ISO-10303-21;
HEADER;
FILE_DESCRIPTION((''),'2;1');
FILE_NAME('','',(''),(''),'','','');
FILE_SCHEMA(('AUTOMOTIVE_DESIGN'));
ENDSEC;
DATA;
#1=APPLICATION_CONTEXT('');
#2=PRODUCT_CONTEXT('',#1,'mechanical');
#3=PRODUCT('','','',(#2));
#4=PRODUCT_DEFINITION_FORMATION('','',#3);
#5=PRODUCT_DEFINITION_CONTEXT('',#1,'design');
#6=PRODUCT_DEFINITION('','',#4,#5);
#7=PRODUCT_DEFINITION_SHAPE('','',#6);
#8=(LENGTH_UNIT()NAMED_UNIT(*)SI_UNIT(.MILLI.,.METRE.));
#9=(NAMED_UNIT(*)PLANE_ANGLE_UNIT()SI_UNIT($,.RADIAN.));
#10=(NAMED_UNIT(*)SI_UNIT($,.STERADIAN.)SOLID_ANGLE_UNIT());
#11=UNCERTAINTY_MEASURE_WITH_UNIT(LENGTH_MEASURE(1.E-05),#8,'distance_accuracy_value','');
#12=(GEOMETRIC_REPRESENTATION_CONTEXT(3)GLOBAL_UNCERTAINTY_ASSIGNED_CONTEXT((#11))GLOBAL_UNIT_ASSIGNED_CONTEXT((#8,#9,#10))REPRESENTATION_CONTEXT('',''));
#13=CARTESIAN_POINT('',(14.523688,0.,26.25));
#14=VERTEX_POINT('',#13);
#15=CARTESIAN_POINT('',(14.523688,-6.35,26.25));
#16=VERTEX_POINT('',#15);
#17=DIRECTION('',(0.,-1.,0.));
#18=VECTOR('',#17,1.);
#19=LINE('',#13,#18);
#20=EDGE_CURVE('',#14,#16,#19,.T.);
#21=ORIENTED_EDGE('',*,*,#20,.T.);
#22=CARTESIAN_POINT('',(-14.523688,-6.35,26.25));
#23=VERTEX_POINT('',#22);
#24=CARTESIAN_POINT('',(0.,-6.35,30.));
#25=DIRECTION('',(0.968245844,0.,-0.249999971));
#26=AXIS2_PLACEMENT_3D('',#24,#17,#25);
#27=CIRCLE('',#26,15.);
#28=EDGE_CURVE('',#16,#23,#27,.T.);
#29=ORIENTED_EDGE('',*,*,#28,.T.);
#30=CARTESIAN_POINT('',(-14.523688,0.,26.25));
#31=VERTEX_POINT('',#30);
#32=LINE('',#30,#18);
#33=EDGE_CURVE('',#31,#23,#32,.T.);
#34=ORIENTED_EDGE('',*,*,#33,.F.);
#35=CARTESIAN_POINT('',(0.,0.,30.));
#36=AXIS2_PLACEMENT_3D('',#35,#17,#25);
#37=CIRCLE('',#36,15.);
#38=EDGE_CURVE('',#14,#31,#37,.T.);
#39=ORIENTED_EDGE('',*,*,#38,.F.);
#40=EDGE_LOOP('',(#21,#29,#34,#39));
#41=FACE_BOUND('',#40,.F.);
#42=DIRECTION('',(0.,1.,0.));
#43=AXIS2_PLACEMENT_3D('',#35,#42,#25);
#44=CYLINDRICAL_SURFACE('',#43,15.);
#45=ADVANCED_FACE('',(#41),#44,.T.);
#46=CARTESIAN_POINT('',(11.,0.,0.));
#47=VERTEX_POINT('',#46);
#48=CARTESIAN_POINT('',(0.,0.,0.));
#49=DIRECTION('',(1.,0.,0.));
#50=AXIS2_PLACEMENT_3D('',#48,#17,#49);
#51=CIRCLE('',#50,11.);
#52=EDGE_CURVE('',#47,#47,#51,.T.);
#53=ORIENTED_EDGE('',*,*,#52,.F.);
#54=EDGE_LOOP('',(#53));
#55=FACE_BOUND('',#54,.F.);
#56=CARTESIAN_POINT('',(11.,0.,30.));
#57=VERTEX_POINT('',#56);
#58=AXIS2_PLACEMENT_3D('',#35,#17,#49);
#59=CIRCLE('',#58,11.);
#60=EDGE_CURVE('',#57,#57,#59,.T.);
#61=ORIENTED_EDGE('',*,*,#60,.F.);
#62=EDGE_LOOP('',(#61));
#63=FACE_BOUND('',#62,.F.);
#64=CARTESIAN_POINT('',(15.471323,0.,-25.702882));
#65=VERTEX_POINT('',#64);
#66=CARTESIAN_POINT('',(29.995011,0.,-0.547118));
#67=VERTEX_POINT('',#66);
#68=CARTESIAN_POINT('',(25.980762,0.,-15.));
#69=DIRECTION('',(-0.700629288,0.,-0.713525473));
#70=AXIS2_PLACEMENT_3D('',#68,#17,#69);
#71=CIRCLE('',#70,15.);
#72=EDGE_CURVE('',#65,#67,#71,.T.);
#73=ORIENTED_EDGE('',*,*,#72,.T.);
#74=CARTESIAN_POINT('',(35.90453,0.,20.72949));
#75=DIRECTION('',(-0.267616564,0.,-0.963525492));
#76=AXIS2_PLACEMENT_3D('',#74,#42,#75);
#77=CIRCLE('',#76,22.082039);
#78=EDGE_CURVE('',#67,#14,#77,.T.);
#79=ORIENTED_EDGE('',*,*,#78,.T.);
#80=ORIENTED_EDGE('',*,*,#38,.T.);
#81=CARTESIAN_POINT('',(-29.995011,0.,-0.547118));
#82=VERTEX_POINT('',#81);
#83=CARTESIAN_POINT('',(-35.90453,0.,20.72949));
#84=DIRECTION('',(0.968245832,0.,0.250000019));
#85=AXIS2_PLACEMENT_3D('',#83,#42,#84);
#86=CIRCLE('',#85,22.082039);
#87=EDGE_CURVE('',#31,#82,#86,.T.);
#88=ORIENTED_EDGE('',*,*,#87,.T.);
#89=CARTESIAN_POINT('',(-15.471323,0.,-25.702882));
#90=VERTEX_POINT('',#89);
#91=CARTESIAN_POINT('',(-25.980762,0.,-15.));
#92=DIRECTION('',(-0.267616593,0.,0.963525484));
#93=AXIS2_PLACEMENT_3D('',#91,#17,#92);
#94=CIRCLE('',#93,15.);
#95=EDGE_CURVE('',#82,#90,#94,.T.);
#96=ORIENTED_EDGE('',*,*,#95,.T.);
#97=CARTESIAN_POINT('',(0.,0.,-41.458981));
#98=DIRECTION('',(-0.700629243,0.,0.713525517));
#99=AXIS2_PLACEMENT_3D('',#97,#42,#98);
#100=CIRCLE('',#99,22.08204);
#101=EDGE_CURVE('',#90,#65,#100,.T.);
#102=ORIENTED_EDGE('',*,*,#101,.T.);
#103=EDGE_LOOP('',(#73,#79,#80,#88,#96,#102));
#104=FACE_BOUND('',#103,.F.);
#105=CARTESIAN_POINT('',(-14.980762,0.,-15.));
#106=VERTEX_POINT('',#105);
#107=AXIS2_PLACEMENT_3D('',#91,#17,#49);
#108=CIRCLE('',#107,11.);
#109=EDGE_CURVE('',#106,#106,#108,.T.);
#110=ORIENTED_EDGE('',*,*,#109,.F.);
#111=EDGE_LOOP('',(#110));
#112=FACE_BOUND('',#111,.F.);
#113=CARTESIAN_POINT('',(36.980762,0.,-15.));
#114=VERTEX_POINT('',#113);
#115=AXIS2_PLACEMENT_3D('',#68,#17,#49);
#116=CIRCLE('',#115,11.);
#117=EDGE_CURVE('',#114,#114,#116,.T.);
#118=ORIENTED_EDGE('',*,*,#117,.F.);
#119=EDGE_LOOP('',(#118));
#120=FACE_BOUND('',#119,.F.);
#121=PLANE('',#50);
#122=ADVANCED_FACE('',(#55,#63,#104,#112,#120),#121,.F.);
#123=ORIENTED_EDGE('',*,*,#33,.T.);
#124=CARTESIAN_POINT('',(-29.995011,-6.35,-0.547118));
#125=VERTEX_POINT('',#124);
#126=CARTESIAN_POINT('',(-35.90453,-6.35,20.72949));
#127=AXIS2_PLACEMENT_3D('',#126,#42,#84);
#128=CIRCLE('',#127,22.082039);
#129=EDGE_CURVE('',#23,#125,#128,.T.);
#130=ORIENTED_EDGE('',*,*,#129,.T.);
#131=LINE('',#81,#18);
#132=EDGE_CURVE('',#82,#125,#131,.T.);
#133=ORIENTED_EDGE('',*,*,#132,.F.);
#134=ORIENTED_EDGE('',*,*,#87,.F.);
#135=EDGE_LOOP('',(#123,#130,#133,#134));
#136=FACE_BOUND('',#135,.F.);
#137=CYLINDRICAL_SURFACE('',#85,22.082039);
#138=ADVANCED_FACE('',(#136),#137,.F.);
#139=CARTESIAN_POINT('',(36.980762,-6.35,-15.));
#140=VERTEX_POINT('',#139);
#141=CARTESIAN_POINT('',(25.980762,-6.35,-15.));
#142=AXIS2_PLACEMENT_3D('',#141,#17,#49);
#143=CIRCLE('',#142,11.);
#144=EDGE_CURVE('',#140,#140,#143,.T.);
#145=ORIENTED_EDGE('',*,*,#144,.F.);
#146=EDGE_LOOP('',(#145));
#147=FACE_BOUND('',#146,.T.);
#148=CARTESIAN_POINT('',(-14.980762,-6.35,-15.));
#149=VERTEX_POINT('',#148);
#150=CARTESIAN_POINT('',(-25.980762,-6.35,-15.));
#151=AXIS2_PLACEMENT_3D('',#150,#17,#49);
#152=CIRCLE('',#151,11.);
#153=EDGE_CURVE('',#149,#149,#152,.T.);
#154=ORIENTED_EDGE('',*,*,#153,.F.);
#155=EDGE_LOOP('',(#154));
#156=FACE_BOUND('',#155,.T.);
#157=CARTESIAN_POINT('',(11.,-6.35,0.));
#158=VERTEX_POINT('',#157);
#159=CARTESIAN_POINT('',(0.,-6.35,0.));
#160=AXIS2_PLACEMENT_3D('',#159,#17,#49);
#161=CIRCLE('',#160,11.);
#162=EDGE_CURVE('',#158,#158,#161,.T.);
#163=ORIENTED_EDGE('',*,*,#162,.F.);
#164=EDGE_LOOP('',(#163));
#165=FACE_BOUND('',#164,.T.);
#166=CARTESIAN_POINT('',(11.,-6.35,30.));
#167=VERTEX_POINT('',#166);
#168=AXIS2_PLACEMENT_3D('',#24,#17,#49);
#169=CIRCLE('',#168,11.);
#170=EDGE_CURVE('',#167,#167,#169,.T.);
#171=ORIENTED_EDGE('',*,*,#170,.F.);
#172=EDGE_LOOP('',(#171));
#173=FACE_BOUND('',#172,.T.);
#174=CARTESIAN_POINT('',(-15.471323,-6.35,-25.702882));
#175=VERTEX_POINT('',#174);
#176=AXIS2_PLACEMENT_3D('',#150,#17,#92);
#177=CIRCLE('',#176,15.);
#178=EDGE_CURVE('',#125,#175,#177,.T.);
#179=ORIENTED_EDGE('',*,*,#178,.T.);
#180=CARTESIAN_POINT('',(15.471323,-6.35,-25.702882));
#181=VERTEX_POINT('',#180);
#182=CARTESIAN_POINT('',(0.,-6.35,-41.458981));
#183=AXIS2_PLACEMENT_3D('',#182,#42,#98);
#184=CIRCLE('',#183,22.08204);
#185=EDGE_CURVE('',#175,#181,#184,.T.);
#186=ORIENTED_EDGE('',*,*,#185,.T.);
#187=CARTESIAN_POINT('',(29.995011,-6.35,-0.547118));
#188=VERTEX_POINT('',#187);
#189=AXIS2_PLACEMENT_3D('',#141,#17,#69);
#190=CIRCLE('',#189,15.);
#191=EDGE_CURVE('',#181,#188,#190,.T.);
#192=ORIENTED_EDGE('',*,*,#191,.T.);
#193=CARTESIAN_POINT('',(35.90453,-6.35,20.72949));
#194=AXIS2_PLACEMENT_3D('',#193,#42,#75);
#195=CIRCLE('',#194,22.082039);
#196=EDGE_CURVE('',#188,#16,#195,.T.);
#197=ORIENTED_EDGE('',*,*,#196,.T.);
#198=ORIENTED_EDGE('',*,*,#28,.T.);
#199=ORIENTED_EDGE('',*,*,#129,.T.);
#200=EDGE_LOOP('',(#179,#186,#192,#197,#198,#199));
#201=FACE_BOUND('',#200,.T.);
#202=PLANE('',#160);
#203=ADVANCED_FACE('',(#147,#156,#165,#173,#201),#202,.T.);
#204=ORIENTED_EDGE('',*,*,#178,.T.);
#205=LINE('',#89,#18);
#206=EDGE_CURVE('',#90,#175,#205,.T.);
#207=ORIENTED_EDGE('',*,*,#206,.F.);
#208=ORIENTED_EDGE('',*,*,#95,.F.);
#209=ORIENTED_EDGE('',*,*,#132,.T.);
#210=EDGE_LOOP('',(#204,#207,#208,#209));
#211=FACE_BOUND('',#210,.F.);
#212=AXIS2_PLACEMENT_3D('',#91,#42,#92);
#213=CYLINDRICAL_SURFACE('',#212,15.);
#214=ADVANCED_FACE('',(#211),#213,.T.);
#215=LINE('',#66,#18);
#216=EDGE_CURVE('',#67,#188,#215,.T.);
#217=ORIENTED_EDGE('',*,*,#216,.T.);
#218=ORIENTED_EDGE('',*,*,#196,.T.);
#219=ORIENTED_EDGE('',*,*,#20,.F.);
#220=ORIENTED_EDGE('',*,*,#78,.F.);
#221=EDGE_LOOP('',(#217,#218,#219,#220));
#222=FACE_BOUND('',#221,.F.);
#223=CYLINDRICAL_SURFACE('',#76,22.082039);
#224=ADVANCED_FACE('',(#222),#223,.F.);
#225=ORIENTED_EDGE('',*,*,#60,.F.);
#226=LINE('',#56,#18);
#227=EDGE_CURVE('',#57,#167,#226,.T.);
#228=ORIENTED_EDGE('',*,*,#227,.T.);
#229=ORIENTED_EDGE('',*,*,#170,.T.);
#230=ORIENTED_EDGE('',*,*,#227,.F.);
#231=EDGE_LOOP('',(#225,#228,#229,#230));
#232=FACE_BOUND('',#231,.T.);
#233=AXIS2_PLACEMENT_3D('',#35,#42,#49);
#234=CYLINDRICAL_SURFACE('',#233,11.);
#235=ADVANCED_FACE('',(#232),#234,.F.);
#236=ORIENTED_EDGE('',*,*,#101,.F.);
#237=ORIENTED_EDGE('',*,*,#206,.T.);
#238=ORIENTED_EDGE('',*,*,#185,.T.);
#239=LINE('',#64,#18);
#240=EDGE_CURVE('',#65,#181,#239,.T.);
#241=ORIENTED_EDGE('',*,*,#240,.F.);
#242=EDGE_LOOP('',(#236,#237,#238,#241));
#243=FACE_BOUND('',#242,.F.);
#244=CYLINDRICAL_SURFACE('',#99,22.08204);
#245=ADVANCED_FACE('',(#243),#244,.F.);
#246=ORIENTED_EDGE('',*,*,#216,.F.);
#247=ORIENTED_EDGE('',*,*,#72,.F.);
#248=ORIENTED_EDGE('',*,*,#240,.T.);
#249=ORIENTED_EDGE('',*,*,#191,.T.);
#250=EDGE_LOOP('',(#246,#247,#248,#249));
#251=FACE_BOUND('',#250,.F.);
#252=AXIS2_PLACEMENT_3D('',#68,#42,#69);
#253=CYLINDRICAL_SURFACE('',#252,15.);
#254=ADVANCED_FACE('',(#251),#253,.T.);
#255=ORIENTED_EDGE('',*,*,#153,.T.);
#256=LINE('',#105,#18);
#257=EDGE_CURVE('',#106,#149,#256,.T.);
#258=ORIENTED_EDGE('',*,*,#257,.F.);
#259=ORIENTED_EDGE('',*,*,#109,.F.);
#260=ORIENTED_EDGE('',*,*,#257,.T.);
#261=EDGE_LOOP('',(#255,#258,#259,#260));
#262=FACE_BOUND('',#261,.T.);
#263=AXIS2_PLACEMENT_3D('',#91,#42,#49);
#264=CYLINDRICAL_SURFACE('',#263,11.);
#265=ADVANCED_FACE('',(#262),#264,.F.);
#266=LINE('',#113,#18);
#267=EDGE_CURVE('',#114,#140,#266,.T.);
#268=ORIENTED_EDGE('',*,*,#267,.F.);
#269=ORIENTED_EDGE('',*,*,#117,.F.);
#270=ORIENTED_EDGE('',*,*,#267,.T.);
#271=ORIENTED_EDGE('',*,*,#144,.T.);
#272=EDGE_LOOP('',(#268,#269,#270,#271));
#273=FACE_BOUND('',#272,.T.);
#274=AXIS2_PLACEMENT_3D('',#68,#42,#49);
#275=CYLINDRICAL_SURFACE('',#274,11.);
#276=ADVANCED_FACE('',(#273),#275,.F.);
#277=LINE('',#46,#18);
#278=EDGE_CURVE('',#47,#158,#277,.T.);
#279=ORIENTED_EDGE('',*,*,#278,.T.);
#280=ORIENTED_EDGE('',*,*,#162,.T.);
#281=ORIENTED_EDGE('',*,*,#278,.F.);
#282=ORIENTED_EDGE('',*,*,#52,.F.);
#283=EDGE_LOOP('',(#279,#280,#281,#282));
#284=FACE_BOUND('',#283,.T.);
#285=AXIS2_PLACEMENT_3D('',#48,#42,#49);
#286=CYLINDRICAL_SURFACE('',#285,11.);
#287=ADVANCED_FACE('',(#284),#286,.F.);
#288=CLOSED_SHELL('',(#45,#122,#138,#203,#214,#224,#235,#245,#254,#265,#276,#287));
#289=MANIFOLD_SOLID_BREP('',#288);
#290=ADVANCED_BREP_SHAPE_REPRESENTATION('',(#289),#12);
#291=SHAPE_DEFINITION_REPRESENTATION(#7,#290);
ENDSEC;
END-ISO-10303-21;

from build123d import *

# Parameters (mm, degrees)
F0_R     = 11
F1_DEPTH = 6.35


with BuildPart() as f1:
    # F0 (on Front) → F1 (new body)
    with BuildSketch(Plane.XZ):
        with BuildLine():
            ThreePointArc((29.995011, -0.547118), (16.780923, 9.688471), (14.523688, 26.25))
            ThreePointArc((14.523688, 26.25), (0, 45), (-14.523688, 26.25))
            ThreePointArc((-14.523688, 26.25), (-16.780923, 9.688471), (-29.995011, -0.547118))
            ThreePointArc((-29.995011, -0.547118), (-38.971143, -22.5), (-15.471323, -25.702882))
            ThreePointArc((-15.471323, -25.702882), (0, -19.376941), (15.471323, -25.702882))
            ThreePointArc((15.471323, -25.702882), (38.971143, -22.5), (29.995011, -0.547118))
        make_face()
        with Locations((-25.980762, -15)):
            Circle(F0_R, mode=Mode.SUBTRACT)
        with Locations((25.980762, -15)):
            Circle(F0_R, mode=Mode.SUBTRACT)
        Circle(F0_R, mode=Mode.SUBTRACT)
        with Locations((0, 30)):
            Circle(F0_R, mode=Mode.SUBTRACT)
    extrude(amount=F1_DEPTH)


solid = f1.part
